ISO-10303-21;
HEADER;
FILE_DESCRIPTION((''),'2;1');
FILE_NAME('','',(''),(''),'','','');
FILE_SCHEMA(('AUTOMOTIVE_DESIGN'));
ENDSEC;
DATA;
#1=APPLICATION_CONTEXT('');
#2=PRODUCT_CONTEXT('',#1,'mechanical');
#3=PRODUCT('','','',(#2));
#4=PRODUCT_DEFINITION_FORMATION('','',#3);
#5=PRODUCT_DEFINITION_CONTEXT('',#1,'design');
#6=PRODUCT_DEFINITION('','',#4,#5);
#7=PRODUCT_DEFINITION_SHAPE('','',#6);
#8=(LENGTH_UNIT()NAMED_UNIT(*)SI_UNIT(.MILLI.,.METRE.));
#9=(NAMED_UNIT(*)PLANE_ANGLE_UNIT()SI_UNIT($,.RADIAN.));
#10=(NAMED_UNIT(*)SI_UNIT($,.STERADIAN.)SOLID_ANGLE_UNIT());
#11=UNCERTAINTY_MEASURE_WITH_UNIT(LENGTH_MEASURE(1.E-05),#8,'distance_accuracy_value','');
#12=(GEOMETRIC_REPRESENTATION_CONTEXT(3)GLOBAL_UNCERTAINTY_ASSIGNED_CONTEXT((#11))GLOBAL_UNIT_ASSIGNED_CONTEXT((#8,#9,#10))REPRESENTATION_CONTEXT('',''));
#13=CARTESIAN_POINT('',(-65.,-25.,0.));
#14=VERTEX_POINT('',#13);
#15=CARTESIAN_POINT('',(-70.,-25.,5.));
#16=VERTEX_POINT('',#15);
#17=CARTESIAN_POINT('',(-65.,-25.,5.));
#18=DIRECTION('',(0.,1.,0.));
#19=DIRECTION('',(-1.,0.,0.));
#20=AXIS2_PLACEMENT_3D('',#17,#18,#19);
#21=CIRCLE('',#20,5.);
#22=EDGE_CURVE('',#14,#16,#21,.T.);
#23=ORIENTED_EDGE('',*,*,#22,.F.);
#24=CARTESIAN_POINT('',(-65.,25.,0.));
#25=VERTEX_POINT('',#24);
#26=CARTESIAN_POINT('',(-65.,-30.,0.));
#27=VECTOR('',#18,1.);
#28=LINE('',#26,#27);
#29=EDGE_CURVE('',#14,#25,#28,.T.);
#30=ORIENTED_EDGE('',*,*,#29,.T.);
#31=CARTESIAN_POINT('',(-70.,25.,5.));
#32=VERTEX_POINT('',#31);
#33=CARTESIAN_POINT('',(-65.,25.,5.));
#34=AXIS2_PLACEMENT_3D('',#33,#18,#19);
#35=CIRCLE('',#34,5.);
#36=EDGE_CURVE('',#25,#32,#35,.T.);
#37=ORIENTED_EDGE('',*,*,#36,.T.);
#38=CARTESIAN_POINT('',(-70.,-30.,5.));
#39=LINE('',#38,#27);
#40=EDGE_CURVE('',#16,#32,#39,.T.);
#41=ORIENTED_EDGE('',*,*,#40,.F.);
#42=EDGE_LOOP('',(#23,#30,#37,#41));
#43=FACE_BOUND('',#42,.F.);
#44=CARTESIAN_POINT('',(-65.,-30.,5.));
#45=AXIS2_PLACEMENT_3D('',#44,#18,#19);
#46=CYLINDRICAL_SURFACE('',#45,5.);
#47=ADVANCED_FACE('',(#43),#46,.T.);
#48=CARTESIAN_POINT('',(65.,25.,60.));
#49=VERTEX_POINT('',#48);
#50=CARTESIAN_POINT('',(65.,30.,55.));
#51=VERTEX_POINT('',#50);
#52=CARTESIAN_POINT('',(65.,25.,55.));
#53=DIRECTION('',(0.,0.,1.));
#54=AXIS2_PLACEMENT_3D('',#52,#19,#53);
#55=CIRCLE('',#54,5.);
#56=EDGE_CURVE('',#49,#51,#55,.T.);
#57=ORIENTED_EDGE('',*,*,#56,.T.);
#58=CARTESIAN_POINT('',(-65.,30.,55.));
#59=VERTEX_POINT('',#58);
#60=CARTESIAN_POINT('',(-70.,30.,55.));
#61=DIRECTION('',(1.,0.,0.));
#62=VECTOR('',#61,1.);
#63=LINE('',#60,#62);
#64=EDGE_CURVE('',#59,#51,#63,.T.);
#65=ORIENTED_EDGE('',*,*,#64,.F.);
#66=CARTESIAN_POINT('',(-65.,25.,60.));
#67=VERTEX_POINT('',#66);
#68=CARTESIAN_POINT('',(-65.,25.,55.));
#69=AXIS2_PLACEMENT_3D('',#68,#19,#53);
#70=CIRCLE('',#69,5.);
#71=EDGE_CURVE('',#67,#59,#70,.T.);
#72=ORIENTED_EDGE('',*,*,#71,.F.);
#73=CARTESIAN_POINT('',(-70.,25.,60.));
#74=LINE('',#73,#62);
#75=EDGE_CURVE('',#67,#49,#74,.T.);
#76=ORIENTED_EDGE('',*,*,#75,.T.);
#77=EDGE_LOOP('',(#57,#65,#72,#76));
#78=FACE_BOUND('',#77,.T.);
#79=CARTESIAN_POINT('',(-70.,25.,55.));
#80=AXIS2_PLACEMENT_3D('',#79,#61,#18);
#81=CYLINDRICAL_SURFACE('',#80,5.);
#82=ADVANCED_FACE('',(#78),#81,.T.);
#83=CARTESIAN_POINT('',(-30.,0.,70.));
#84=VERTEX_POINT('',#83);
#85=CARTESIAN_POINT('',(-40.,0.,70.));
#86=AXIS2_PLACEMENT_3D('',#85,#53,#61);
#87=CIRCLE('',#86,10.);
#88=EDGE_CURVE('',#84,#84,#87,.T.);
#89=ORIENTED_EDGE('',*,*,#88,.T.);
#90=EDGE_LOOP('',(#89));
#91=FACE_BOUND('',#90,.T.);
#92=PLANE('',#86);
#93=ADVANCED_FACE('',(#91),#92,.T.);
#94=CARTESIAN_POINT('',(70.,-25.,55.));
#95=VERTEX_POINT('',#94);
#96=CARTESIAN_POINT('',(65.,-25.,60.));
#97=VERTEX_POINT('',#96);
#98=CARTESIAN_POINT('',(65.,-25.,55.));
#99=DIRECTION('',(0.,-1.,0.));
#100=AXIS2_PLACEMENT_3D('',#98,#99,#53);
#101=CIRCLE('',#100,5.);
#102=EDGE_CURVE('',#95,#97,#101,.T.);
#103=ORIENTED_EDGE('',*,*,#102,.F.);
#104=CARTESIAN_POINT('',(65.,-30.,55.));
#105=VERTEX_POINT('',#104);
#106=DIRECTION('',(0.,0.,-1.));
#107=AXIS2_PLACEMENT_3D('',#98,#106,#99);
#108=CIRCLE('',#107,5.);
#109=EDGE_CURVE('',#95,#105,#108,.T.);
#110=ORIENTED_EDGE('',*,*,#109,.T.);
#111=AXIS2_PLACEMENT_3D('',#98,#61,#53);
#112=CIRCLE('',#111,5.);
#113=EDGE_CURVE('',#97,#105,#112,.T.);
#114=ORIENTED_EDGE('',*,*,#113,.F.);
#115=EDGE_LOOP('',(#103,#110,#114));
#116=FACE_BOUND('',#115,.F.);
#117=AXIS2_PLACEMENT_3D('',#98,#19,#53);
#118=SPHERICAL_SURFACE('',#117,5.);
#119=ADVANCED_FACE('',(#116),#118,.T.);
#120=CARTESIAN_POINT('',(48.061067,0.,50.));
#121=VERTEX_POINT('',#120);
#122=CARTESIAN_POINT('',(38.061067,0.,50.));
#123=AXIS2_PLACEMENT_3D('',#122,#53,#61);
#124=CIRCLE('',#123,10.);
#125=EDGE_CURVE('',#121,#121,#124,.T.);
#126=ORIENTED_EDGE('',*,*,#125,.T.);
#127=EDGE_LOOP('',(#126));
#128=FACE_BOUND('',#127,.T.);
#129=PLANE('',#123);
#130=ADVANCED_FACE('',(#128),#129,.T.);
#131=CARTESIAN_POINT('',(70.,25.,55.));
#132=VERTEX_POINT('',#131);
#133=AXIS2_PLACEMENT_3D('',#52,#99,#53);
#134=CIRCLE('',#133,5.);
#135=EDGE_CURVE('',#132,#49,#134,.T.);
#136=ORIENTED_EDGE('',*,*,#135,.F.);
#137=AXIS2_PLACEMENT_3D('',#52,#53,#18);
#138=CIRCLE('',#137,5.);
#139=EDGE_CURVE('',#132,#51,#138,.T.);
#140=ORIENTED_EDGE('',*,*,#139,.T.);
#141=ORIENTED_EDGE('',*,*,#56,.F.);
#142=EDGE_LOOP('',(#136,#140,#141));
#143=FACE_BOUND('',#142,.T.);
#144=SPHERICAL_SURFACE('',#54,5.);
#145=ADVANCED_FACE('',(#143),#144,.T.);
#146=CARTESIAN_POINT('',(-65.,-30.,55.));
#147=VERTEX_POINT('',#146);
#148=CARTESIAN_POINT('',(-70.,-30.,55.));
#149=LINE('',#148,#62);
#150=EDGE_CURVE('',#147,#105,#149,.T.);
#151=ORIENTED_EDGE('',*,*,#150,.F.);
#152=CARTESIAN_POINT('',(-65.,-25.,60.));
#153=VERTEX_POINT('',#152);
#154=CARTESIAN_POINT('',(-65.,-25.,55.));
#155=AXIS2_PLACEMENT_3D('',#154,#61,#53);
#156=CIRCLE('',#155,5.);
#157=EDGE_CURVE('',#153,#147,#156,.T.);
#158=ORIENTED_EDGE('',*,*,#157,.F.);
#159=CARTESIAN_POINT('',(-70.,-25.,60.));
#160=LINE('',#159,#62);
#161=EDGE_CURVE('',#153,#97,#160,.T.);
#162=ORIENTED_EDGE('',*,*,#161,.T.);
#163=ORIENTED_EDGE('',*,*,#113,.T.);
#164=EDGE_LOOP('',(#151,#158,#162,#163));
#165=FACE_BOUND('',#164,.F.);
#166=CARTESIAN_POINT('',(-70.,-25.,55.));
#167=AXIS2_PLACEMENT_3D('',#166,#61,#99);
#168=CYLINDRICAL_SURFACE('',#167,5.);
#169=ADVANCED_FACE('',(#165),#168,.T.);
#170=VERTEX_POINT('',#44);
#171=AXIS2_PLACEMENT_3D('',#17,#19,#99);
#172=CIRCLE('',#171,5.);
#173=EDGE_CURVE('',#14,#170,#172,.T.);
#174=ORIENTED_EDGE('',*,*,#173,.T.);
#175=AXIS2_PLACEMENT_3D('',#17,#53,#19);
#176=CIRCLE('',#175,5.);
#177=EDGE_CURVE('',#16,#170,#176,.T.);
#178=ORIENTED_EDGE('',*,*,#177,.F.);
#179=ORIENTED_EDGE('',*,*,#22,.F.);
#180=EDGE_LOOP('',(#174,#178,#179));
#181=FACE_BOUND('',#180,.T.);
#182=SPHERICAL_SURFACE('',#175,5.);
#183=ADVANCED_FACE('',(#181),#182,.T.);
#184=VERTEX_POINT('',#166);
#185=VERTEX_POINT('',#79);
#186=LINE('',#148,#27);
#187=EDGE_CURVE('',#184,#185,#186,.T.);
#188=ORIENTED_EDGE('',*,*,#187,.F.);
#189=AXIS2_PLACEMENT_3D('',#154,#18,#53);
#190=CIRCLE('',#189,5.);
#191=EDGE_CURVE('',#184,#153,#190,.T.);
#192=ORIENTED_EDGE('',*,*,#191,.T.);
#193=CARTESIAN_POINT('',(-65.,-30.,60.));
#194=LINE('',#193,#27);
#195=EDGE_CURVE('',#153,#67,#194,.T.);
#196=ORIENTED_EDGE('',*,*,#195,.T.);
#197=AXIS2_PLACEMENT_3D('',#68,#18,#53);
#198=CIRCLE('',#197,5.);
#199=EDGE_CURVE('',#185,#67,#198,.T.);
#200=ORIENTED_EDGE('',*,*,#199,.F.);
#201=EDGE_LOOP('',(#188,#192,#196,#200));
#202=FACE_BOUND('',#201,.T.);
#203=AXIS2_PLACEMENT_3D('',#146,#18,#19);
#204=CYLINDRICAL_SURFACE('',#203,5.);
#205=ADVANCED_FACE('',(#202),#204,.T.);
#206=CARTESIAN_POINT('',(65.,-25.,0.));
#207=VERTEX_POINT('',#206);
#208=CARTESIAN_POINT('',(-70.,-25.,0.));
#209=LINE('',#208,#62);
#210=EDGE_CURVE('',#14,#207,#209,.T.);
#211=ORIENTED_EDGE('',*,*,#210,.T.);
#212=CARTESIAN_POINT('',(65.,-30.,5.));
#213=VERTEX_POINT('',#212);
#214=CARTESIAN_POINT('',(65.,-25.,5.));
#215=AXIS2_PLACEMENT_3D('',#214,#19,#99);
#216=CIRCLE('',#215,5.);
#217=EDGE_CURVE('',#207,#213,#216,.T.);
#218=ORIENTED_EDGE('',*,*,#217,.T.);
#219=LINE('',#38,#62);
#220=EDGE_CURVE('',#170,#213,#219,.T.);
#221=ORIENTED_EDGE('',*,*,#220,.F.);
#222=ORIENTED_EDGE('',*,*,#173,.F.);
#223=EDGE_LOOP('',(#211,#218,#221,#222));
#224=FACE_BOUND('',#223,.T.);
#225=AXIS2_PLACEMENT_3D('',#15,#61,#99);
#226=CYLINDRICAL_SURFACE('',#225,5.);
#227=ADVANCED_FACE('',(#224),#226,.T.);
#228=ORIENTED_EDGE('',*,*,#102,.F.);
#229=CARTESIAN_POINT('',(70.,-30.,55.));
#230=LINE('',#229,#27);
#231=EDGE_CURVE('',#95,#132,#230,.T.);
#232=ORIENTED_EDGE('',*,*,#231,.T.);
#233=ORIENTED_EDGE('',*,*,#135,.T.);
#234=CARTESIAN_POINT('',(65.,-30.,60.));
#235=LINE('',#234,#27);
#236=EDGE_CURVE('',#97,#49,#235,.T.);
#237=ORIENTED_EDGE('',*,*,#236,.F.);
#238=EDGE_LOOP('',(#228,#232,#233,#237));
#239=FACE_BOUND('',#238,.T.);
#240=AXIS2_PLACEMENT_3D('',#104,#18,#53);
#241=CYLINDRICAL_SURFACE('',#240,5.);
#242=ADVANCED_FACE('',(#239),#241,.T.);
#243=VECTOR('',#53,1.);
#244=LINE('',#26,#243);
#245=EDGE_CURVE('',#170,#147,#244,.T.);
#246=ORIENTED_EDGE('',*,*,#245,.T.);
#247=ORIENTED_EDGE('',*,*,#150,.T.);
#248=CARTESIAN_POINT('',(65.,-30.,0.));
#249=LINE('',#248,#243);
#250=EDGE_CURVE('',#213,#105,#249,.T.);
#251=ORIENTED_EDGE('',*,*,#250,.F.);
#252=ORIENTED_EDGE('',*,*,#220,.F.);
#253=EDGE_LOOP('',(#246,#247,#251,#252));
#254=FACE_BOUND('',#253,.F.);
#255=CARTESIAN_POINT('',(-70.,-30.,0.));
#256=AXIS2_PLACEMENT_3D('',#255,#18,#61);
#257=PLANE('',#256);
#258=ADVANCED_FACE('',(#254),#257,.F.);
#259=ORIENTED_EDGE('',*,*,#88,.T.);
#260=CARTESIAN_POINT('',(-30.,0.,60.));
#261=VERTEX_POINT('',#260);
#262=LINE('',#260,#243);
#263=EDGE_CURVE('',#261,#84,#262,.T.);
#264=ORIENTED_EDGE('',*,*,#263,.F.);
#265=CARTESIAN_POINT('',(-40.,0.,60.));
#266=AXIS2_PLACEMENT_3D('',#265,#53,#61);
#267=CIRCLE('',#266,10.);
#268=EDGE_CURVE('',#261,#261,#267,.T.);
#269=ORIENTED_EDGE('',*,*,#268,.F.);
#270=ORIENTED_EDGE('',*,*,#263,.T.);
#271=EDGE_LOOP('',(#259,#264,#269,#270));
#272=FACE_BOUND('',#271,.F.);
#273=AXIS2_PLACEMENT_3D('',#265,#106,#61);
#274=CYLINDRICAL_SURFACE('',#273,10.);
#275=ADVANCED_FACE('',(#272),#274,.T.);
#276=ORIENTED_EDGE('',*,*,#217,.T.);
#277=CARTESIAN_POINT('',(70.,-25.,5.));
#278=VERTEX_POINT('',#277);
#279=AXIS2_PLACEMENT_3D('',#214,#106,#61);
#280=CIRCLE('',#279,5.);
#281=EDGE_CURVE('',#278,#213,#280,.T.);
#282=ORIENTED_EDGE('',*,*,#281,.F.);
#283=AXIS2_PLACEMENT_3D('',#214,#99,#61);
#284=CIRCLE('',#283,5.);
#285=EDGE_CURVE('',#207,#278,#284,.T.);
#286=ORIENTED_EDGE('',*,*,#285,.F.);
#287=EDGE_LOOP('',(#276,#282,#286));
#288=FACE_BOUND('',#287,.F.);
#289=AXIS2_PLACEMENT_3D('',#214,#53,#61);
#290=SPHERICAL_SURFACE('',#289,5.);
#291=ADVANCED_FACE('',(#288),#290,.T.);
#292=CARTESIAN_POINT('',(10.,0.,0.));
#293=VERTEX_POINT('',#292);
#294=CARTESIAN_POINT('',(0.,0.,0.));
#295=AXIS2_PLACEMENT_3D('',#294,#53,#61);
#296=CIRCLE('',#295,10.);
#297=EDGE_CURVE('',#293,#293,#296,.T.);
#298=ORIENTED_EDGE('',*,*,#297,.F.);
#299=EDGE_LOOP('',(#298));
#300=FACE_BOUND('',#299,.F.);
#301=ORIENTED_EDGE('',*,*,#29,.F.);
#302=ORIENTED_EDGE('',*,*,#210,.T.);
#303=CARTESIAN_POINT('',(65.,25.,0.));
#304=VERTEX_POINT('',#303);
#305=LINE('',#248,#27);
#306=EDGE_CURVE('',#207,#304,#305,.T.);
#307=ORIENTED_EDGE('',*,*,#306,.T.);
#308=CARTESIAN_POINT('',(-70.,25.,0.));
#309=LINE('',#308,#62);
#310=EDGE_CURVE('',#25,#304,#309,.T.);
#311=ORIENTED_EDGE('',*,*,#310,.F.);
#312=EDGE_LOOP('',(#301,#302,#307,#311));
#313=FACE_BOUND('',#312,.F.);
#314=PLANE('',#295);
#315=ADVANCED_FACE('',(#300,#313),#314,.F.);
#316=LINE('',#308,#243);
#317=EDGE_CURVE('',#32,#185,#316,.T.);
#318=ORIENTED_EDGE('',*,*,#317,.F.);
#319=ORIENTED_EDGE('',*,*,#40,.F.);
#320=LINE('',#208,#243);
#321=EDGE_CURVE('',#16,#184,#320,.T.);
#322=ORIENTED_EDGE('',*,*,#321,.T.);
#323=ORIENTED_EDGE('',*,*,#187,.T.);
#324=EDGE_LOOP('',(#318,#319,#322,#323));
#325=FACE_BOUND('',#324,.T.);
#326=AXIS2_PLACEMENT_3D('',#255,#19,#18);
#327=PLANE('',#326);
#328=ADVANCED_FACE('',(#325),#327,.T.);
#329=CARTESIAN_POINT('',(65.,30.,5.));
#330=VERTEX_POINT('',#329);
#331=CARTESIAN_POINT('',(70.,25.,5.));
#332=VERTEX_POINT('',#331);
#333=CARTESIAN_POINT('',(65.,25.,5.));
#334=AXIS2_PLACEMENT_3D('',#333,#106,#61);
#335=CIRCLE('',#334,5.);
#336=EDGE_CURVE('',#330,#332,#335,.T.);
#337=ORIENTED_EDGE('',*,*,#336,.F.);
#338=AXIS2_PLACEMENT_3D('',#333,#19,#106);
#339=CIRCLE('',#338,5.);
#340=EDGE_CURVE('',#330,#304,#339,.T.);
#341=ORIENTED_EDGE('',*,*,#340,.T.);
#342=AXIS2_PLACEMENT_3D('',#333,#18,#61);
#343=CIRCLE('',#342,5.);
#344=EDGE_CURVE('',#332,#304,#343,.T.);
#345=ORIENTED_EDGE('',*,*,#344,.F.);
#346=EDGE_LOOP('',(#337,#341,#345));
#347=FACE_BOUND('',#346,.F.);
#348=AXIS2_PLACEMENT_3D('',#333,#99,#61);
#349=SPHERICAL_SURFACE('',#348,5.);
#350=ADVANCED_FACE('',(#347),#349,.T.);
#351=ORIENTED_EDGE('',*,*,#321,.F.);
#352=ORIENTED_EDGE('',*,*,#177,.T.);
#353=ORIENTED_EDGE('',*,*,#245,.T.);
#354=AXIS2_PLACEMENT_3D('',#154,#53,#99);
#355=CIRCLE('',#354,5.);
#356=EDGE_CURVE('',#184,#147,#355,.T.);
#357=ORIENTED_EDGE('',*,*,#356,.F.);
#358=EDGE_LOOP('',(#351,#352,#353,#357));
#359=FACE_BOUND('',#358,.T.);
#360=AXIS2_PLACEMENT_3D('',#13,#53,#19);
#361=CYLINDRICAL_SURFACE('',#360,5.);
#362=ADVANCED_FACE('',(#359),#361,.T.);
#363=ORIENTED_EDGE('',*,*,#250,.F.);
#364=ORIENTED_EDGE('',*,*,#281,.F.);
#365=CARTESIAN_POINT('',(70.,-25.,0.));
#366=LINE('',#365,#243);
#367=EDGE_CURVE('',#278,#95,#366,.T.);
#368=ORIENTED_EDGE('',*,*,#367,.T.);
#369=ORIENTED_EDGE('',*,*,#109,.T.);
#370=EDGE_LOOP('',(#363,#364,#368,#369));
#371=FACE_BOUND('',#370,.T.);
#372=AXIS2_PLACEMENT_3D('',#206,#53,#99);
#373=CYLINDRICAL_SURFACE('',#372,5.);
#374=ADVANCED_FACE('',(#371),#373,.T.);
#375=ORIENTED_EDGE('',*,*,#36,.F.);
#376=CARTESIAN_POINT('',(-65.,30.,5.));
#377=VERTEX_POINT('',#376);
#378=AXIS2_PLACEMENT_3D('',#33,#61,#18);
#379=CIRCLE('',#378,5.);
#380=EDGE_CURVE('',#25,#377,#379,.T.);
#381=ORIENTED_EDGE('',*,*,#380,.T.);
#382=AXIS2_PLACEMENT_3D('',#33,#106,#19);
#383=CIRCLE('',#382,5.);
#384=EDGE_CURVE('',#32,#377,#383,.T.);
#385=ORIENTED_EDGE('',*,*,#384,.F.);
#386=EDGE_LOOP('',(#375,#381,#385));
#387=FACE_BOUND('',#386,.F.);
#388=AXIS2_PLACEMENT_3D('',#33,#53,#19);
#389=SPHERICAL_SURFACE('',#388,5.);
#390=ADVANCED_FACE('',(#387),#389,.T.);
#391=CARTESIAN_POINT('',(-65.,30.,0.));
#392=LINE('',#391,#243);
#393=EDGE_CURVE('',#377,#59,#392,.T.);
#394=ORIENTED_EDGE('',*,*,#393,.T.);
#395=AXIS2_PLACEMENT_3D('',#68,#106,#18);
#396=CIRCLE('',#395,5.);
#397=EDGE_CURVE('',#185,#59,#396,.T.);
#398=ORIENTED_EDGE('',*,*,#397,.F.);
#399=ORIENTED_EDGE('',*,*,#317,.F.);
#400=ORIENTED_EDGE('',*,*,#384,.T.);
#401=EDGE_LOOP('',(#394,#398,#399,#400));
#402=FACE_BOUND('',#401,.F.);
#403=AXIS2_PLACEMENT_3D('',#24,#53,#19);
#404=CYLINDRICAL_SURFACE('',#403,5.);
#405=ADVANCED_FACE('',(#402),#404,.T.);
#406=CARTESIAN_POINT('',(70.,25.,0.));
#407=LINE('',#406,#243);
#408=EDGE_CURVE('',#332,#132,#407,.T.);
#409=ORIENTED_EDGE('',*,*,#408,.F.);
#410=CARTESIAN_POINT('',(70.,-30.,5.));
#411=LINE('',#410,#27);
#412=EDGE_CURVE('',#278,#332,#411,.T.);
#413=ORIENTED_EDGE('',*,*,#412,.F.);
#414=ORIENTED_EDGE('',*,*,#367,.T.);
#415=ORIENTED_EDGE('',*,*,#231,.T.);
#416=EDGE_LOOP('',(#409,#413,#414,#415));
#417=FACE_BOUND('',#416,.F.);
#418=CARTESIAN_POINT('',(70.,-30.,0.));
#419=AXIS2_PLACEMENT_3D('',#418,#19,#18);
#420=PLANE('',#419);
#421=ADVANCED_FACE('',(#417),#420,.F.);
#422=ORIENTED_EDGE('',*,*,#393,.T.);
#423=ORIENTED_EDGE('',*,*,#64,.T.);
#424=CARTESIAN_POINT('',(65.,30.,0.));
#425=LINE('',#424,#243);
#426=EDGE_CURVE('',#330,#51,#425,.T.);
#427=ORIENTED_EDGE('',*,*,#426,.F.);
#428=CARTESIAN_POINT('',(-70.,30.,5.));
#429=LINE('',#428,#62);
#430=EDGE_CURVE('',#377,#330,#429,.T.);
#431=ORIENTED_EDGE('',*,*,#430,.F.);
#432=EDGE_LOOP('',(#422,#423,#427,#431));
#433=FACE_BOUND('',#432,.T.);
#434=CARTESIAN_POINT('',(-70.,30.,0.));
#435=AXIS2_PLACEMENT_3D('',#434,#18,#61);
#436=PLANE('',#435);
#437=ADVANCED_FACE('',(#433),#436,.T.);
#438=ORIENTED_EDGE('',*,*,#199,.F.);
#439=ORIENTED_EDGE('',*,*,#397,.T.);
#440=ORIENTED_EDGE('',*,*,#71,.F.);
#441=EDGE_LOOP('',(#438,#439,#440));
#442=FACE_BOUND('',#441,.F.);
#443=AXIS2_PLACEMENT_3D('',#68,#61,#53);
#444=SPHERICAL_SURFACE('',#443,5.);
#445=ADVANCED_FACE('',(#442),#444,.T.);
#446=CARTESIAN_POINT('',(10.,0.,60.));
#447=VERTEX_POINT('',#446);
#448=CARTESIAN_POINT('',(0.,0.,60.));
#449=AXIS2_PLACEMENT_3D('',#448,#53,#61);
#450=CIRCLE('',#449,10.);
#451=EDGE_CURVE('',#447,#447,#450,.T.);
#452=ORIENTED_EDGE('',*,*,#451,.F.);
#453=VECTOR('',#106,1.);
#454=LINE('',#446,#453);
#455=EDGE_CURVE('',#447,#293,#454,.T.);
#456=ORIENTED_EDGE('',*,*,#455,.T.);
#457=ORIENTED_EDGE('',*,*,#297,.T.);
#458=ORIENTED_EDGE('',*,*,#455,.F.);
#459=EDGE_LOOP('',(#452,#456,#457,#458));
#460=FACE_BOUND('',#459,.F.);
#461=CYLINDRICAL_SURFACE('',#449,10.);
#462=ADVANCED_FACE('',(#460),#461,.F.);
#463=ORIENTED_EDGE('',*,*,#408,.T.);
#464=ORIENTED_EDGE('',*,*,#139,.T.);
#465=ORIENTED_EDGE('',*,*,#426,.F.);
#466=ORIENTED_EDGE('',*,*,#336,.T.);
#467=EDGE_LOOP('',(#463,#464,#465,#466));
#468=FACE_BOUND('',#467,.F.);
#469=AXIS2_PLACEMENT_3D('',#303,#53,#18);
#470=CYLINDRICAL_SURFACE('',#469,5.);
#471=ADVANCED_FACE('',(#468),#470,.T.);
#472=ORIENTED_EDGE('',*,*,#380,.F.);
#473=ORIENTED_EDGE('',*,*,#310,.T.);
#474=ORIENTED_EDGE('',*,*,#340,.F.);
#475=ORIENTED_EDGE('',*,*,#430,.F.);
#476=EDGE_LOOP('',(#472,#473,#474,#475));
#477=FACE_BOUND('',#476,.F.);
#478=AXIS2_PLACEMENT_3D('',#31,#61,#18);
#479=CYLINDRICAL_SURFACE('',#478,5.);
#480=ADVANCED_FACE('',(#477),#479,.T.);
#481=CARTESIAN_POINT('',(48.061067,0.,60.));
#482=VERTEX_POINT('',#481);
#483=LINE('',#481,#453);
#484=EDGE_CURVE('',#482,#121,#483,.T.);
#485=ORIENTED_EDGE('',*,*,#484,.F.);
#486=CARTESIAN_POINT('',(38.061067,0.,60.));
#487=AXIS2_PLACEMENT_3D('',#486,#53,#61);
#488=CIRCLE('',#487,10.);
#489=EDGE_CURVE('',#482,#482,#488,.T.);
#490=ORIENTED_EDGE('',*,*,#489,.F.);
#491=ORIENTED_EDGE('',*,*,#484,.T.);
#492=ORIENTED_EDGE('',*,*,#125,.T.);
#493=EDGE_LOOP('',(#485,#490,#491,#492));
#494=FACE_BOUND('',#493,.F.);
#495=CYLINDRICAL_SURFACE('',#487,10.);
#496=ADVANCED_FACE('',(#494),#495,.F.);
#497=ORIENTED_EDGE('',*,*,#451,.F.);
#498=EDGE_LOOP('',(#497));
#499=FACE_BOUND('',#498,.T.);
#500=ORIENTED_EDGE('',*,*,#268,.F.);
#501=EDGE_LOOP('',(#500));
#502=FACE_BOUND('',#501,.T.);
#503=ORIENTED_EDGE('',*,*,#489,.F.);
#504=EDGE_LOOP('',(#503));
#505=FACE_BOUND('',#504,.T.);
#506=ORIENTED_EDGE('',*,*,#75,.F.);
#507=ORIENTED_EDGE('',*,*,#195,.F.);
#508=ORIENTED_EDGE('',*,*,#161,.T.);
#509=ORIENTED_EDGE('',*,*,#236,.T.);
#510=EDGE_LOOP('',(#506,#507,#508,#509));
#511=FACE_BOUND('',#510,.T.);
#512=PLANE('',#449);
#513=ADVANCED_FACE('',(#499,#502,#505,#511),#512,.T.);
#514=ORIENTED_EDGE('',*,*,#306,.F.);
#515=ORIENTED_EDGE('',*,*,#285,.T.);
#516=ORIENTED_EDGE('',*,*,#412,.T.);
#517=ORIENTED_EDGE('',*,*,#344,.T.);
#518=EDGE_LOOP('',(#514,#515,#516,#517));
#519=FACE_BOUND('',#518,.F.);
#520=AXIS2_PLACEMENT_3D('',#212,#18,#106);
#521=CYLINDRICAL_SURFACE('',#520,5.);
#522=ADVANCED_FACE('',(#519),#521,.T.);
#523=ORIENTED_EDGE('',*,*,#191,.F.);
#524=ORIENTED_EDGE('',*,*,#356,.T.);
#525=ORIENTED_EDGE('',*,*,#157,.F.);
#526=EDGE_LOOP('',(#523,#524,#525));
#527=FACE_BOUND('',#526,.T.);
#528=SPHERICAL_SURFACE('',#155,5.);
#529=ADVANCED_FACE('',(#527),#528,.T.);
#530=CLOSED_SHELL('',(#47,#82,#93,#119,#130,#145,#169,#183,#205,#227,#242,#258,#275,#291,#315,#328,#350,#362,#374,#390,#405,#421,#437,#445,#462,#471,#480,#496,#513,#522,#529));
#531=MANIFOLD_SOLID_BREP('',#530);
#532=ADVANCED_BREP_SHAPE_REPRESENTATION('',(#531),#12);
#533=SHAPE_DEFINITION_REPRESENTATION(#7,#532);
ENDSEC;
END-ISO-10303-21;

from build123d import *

# Parameters (mm, degrees)
F0_W     = 140
F0_H     = 60
F1_DEPTH = 60
F2_R     = 10
F5_DEPTH = 10
F3_R     = 10
F6_DEPTH = 10
F4_R     = 10
F7_DEPTH = 877
F8_R     = 5


with BuildPart() as f1:
    # F0 (on Top) → F1 (new body)
    with BuildSketch(Plane.XY):
        Rectangle(F0_W, F0_H)
    extrude(amount=F1_DEPTH)

    # F2 (on face) → F5 (join)
    with BuildSketch(Plane.XY.offset(60)):
        with Locations((-40, 0)):
            Circle(F2_R)
    extrude(amount=F5_DEPTH)

    # F3 (on face) → F6 (cut)
    with BuildSketch(Plane.XY.offset(60)):
        with Locations((38.061067, 0)):
            Circle(F3_R)
    extrude(amount=-F6_DEPTH, mode=Mode.SUBTRACT)

    # F4 (on face) → F7 (cut)
    with BuildSketch(Plane.XY.offset(60)):
        Circle(F4_R)
    extrude(amount=-F7_DEPTH, mode=Mode.SUBTRACT)

    # F8
    f8_edges = [f1.edges().sort_by_distance(p)[0] for p in [
        (0, -30, 60),
        (0, 30, 60),
        (-70, 0, 60),
        (70, 0, 60),
        (-70, -30, 30),
        (-70, 30, 30),
        (-70, 0, 0),
        (70, -30, 30),
        (70, 0, 0),
        (70, 30, 30),
        (0, -30, 0),
        (0, 30, 0),
    ]]
    fillet(f8_edges, radius=F8_R)


solid = f1.part
